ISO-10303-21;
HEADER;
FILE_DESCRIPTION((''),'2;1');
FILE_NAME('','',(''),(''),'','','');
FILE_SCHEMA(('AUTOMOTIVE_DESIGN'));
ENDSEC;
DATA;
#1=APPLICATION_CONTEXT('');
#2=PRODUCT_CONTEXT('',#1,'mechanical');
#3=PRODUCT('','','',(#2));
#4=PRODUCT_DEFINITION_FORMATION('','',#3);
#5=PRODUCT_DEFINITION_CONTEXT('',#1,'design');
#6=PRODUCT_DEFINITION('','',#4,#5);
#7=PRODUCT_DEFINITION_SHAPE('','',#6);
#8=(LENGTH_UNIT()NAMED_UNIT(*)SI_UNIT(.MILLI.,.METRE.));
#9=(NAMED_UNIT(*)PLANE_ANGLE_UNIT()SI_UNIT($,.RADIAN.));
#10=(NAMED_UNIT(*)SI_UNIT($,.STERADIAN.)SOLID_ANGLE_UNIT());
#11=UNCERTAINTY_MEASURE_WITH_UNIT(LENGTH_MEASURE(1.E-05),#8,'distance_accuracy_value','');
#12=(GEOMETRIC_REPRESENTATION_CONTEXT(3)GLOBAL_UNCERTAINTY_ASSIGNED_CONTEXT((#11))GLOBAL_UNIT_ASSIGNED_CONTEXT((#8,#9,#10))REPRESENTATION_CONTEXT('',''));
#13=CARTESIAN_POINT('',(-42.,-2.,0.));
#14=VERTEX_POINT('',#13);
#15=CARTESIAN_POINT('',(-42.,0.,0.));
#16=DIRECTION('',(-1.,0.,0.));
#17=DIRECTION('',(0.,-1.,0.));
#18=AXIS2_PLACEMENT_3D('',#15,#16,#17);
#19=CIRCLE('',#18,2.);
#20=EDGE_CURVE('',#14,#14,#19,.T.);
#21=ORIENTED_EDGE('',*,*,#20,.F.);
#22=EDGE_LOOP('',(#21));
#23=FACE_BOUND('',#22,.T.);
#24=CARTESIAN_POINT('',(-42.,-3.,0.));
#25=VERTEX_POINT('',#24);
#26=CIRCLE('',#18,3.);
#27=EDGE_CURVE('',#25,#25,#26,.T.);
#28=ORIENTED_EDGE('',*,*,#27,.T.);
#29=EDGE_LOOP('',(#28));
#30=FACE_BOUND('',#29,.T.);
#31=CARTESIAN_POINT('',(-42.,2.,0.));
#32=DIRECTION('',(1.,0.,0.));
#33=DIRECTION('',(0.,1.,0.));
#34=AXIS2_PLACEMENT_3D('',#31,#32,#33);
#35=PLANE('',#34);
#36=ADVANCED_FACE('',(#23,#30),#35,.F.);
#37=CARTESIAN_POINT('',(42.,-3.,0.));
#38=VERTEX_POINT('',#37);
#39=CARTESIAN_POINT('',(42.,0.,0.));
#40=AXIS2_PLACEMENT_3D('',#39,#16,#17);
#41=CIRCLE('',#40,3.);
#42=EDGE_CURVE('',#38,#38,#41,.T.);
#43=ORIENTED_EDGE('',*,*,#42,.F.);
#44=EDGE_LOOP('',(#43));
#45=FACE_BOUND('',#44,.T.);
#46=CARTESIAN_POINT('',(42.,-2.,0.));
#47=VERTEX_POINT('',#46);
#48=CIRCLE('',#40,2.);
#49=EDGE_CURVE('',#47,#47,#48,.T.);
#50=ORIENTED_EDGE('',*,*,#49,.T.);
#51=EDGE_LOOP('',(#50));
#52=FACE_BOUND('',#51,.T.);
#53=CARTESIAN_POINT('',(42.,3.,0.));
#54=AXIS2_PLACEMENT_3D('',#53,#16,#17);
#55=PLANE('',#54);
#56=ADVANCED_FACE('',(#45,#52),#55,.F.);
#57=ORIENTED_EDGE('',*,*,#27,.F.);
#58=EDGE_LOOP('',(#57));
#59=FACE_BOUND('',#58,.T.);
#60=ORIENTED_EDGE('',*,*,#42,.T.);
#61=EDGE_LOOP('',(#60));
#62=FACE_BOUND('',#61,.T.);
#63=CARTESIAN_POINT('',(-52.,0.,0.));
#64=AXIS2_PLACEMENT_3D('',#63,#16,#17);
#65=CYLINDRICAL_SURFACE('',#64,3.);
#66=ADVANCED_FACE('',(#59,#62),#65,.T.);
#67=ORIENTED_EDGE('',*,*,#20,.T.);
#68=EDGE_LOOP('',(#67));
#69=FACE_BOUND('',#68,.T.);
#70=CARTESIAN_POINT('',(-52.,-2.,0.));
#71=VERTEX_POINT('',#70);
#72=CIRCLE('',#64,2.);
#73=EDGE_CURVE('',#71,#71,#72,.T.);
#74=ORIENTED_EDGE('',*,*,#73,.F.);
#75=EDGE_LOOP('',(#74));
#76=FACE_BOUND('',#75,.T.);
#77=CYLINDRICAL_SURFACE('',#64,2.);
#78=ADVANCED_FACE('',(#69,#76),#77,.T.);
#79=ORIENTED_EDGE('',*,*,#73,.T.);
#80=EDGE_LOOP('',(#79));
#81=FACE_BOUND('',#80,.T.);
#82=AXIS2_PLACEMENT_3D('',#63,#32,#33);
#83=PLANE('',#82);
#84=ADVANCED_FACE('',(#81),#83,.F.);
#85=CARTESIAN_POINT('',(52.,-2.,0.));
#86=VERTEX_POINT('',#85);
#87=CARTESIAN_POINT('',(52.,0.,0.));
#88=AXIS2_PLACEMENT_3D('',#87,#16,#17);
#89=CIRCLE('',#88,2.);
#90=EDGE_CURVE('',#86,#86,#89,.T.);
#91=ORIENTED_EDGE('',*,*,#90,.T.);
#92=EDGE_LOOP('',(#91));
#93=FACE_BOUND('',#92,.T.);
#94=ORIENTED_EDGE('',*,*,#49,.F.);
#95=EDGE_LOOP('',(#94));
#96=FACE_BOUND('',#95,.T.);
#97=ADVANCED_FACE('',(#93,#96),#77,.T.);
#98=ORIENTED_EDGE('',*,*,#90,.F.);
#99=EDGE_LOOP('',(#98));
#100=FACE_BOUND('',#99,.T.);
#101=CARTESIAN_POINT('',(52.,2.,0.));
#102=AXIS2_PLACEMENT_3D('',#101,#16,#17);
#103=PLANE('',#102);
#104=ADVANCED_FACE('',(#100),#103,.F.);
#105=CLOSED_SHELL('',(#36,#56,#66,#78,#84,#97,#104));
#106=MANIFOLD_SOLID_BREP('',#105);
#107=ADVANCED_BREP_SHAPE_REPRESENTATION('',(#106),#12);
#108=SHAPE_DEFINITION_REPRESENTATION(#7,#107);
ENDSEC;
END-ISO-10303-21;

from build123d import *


with BuildPart() as part:
    # Sketch1 → Revolve1 (revolve)
    with BuildSketch(Plane.XY, mode=Mode.PRIVATE) as revolve1_sk:
        Polygon((-52, 0), (-52, 2), (-42, 2), (-42, 3), (42, 3), (42, 2), (52, 2), (52, 0), align=None)
    revolve(revolve1_sk.sketch.rotate(Axis((-52, 0, 0), (1, 0, 0)), 180), axis=Axis((-52, 0, 0), (1, 0, 0)))  # turned: the seam where the file's is


solid = part.part
